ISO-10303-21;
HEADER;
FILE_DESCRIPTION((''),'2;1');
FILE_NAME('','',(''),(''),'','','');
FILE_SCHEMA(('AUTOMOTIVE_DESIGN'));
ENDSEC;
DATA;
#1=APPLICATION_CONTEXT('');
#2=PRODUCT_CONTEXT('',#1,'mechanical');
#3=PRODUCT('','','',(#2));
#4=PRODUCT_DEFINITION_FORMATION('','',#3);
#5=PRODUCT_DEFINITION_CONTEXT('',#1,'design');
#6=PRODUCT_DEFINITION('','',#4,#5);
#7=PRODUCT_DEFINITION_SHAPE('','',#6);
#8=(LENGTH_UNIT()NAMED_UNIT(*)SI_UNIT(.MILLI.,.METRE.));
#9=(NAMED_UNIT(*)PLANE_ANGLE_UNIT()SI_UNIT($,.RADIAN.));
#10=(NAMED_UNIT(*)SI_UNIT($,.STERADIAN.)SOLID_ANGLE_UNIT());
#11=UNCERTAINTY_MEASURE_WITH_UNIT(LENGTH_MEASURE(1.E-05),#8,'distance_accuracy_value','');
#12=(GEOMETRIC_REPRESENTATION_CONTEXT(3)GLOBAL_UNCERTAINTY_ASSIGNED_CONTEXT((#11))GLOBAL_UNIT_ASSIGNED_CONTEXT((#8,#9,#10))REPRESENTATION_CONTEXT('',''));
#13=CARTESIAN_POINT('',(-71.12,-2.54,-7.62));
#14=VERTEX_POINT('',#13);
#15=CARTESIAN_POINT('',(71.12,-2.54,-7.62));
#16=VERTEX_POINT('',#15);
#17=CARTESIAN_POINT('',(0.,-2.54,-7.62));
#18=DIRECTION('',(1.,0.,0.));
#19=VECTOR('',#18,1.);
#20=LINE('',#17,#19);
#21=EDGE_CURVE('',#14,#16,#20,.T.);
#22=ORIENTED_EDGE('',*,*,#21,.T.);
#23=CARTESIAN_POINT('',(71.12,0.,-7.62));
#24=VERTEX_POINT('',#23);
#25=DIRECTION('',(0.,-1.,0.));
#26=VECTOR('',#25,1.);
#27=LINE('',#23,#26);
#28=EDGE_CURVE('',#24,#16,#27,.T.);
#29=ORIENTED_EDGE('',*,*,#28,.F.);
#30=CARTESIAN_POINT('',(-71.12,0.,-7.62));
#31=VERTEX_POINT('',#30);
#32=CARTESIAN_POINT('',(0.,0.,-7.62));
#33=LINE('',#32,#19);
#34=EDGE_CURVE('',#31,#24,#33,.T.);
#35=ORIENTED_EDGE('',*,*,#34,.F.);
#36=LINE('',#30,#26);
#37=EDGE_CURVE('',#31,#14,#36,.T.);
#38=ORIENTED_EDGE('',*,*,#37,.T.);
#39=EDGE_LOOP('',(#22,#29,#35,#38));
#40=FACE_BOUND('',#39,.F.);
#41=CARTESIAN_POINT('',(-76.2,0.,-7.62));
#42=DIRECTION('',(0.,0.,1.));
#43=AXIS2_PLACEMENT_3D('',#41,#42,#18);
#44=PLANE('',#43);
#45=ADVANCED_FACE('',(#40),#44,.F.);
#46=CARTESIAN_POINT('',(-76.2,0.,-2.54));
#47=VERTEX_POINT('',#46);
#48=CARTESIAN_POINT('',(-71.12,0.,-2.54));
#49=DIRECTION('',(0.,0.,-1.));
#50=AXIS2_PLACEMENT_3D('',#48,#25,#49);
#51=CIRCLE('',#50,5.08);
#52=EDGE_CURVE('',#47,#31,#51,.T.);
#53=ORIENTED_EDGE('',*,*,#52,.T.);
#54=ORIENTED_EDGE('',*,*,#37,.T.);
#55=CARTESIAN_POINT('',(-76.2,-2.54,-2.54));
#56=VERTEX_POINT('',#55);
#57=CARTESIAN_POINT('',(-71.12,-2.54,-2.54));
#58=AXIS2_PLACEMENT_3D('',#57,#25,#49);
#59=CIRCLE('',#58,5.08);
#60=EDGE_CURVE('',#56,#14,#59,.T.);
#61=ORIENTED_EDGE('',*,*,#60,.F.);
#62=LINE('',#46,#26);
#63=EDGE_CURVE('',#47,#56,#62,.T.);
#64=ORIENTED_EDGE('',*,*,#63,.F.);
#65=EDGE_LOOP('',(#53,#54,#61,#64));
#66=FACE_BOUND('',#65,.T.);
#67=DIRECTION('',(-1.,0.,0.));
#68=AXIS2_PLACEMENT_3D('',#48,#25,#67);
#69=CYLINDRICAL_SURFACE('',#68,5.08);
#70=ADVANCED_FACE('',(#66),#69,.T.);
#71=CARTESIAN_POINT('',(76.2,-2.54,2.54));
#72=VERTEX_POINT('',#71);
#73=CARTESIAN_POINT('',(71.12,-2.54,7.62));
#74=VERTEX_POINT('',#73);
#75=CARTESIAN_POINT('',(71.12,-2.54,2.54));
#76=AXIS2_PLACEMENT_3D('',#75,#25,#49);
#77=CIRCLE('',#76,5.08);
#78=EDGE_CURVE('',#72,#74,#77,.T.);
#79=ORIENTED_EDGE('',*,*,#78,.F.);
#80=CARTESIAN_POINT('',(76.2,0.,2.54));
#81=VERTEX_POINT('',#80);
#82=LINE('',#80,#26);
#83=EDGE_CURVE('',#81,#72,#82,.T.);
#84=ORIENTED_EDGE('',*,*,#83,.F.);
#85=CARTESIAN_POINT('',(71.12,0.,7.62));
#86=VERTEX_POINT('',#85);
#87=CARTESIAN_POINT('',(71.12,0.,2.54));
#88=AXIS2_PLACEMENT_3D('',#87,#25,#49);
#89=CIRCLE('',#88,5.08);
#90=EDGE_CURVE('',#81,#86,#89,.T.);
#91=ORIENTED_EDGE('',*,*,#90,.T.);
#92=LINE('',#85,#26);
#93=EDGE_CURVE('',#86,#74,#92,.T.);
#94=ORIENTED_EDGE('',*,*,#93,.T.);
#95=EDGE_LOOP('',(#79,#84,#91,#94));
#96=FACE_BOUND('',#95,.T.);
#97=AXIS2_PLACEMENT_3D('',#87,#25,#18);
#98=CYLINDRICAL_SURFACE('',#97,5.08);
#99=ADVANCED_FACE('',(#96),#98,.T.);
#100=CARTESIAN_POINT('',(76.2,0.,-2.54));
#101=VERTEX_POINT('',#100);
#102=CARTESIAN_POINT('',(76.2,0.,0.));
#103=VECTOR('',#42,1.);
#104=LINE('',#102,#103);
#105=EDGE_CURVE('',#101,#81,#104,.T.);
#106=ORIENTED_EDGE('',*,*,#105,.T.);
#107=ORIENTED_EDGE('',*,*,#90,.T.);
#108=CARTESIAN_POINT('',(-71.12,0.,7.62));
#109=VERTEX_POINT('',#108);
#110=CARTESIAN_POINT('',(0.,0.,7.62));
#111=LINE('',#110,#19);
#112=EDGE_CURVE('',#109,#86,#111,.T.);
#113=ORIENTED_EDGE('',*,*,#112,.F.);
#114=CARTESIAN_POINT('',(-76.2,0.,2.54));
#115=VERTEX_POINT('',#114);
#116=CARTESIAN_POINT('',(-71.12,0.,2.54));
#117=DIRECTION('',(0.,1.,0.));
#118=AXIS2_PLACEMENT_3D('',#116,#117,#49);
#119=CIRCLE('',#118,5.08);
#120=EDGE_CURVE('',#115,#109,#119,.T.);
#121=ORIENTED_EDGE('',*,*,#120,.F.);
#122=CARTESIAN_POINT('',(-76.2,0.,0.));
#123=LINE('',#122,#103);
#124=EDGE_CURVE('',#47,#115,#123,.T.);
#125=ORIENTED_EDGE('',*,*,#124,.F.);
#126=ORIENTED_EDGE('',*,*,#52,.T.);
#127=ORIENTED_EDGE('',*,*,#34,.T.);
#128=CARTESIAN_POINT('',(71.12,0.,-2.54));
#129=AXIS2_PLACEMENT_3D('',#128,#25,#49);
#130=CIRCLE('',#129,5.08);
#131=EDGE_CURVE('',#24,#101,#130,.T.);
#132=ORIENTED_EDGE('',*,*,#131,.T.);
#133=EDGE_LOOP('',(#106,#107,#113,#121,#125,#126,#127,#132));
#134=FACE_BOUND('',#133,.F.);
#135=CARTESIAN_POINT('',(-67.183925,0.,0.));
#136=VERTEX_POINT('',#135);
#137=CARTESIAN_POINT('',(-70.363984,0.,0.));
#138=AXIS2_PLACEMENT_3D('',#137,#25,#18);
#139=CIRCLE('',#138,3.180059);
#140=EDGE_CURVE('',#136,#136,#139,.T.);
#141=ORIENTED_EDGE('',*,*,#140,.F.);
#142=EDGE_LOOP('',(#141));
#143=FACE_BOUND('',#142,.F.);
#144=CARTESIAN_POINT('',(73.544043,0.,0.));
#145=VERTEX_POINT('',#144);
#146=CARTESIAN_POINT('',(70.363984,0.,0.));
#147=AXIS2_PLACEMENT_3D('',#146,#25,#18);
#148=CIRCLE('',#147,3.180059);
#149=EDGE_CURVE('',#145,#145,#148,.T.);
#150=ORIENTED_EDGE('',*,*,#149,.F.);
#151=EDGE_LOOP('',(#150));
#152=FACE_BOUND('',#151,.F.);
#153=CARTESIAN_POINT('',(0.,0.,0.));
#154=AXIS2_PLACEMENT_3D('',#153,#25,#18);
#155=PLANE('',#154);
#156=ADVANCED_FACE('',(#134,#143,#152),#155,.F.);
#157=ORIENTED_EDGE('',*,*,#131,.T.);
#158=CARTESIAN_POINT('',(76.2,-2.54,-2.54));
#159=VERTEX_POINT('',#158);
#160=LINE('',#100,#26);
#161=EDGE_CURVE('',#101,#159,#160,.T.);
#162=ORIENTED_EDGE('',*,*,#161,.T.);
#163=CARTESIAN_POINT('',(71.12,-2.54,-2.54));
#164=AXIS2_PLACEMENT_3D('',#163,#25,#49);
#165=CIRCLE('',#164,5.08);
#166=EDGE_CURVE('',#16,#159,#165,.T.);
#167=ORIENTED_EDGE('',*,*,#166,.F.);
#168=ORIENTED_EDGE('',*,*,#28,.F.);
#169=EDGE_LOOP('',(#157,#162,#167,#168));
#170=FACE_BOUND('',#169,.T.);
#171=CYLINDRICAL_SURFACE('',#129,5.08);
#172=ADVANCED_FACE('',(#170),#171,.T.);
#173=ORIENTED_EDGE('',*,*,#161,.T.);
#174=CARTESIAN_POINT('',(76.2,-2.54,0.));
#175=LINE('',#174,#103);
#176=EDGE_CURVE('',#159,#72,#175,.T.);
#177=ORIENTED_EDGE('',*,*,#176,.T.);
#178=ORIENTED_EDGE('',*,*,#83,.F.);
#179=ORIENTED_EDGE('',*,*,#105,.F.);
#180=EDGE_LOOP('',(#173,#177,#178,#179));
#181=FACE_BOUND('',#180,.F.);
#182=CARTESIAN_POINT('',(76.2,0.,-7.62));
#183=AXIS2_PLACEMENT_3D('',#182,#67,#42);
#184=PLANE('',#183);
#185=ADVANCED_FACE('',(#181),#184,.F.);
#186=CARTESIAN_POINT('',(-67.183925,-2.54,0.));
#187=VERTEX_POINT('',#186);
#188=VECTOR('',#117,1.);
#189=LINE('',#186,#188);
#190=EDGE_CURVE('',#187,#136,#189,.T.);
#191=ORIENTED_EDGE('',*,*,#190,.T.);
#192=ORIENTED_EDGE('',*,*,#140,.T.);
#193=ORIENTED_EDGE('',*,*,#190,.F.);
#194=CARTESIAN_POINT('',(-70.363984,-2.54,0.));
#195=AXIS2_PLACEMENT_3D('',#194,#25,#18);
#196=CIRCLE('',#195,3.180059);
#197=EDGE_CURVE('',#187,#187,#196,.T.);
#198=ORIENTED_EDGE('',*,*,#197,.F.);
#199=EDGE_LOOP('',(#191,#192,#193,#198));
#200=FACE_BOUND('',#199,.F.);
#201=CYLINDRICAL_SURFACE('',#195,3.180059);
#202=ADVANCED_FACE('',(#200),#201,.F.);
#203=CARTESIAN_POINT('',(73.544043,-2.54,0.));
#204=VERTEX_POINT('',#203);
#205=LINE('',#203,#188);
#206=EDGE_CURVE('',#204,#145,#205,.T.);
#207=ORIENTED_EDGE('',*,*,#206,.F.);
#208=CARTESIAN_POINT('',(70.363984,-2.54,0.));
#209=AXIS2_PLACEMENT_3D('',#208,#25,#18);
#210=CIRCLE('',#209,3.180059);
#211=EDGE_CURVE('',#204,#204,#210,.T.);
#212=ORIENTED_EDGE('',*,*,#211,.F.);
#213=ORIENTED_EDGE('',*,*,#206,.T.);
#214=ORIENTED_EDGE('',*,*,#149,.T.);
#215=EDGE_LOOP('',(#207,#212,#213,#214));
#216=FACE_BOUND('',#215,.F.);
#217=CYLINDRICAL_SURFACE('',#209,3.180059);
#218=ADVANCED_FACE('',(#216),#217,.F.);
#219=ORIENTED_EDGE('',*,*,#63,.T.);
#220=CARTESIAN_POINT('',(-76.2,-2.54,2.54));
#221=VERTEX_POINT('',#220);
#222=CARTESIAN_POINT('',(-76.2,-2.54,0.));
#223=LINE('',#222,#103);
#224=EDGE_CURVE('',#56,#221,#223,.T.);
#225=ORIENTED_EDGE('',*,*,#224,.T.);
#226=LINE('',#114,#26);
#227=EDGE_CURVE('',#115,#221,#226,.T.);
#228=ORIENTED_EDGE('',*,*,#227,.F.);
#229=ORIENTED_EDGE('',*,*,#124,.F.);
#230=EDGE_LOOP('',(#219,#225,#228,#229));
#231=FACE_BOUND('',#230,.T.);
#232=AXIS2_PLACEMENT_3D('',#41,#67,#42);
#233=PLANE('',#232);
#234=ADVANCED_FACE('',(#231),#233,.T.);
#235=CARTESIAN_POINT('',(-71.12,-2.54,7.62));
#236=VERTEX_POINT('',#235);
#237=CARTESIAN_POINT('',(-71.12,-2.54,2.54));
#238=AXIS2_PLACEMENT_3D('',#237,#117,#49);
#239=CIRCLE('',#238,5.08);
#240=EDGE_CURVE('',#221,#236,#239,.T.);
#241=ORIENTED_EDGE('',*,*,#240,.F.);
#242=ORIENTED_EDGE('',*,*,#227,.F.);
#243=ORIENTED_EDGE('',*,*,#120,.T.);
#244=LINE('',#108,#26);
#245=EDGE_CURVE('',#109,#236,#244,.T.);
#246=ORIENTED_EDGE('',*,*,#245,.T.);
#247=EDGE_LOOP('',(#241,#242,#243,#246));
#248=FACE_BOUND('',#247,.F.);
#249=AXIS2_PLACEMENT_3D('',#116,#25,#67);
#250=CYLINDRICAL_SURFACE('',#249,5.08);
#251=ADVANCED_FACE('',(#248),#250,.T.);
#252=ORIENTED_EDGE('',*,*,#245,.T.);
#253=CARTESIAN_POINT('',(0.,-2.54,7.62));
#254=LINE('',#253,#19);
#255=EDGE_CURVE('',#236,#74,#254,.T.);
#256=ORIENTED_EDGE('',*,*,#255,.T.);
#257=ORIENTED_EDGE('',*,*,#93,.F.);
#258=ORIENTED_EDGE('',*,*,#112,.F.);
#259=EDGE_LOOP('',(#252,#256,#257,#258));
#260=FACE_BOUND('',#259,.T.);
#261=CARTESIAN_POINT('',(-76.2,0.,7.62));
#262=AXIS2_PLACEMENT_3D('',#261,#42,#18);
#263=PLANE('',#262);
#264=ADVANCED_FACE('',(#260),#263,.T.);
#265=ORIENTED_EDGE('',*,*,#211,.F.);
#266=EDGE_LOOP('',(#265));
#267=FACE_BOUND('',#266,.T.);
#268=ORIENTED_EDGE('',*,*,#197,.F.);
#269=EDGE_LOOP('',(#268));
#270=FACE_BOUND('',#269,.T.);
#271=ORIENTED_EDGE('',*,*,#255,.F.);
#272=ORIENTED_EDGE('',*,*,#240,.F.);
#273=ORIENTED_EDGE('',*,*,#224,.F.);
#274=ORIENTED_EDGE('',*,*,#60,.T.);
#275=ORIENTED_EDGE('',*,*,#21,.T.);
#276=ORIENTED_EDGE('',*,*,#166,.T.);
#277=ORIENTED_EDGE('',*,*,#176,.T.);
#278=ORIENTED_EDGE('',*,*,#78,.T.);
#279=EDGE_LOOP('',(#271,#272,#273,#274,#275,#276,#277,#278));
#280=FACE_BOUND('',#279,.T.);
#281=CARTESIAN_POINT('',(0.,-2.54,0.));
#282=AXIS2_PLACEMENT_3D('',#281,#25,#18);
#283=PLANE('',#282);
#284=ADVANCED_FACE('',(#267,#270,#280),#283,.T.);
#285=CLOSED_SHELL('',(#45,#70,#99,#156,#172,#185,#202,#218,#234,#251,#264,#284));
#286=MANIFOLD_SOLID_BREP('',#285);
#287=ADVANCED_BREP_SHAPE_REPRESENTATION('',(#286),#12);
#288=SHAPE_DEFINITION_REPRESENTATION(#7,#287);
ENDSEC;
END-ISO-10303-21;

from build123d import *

# Parameters (mm, degrees)
F0_W     = 152.4
F0_H     = 15.24
F1_DEPTH = 2.54
F2_R     = 5.08
F3_R     = 3.180059
F4_DEPTH = 25.4


with BuildPart() as f1:
    # F0 (on Front) → F1 (new body)
    with BuildSketch(Plane.XZ):
        Rectangle(F0_W, F0_H)
    extrude(amount=F1_DEPTH)

    # F2
    f2_edges = [f1.edges().sort_by_distance(p)[0] for p in [
        (-76.2, -1.27, 7.62),
        (-76.2, -1.27, -7.62),
        (76.2, -1.27, 7.62),
        (76.2, -1.27, -7.62),
    ]]
    fillet(f2_edges, radius=F2_R)

    # F3 (on face) → F4 (cut)
    with BuildSketch(Plane.XZ.offset(2.54)):
        with Locations((-70.363984, 0)):
            Circle(F3_R)
        with Locations((70.363984, 0)):
            Circle(F3_R)
    extrude(amount=-F4_DEPTH, mode=Mode.SUBTRACT)


solid = f1.part
